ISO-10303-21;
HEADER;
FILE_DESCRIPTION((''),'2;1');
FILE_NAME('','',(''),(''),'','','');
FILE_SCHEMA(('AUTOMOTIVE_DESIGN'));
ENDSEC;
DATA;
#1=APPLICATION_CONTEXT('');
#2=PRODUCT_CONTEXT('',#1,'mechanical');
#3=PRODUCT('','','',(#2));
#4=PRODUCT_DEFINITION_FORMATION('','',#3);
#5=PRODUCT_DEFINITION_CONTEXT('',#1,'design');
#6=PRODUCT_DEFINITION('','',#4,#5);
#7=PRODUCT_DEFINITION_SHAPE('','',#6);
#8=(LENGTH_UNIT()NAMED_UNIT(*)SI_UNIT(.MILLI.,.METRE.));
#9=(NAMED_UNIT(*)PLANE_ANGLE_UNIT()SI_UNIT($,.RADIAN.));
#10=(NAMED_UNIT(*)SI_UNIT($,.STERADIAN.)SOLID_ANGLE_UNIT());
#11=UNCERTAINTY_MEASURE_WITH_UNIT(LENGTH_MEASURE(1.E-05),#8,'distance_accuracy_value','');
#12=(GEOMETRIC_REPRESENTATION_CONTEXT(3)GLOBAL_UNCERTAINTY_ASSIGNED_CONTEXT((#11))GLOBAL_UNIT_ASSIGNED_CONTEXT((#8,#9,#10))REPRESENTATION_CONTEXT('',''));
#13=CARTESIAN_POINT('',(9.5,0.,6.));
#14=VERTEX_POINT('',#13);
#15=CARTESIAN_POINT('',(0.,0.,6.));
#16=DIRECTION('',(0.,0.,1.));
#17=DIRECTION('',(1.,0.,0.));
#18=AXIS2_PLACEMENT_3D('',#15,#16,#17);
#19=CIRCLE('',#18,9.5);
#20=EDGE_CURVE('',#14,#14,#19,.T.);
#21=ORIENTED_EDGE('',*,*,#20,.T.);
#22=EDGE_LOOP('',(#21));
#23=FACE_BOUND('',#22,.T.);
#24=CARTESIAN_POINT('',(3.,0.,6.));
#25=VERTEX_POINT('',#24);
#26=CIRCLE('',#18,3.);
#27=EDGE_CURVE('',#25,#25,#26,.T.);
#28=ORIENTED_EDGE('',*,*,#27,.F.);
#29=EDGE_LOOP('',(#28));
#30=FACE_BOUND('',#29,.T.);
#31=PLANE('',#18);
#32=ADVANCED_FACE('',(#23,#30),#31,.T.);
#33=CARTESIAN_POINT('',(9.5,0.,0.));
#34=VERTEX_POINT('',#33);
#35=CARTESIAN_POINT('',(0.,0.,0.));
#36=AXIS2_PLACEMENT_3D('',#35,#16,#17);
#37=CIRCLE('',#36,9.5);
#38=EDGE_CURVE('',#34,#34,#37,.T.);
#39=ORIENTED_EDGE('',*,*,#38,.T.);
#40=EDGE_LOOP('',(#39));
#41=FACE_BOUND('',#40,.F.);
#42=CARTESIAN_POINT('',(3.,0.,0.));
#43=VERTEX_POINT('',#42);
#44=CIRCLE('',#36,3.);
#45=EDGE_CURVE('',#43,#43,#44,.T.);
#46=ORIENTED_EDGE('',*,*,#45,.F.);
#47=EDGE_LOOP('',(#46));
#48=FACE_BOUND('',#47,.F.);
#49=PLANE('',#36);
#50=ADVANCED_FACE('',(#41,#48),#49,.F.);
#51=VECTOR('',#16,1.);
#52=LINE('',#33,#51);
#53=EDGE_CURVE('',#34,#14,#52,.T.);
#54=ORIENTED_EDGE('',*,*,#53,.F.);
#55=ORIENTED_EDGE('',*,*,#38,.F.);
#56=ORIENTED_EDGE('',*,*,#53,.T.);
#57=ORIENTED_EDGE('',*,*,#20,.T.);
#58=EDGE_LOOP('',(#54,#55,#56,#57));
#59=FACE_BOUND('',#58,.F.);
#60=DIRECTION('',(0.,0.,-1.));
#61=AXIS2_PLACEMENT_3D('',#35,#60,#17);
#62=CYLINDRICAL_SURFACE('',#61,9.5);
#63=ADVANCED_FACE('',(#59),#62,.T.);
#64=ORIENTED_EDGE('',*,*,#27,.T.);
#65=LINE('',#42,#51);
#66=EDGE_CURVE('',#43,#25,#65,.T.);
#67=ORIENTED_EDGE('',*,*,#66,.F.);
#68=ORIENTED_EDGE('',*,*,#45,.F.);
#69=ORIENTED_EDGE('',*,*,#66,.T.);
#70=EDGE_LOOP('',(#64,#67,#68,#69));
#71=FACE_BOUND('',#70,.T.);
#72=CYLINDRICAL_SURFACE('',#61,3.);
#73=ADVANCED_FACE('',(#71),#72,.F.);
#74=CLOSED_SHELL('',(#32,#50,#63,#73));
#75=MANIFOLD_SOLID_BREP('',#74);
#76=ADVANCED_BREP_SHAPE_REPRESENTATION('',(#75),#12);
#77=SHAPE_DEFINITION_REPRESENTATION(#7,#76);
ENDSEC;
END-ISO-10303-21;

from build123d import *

# Parameters (mm, degrees)
ESQUISSE1_R      = 9.5
ESQUISSE1_R_2    = 3
EXTRUSION1_DEPTH = 6


with BuildPart() as part:
    # Esquisse1 → Extrusion1 (new body)
    with BuildSketch(Plane.XY):
        Circle(ESQUISSE1_R)
        Circle(ESQUISSE1_R_2, mode=Mode.SUBTRACT)
    extrude(amount=EXTRUSION1_DEPTH)


solid = part.part
